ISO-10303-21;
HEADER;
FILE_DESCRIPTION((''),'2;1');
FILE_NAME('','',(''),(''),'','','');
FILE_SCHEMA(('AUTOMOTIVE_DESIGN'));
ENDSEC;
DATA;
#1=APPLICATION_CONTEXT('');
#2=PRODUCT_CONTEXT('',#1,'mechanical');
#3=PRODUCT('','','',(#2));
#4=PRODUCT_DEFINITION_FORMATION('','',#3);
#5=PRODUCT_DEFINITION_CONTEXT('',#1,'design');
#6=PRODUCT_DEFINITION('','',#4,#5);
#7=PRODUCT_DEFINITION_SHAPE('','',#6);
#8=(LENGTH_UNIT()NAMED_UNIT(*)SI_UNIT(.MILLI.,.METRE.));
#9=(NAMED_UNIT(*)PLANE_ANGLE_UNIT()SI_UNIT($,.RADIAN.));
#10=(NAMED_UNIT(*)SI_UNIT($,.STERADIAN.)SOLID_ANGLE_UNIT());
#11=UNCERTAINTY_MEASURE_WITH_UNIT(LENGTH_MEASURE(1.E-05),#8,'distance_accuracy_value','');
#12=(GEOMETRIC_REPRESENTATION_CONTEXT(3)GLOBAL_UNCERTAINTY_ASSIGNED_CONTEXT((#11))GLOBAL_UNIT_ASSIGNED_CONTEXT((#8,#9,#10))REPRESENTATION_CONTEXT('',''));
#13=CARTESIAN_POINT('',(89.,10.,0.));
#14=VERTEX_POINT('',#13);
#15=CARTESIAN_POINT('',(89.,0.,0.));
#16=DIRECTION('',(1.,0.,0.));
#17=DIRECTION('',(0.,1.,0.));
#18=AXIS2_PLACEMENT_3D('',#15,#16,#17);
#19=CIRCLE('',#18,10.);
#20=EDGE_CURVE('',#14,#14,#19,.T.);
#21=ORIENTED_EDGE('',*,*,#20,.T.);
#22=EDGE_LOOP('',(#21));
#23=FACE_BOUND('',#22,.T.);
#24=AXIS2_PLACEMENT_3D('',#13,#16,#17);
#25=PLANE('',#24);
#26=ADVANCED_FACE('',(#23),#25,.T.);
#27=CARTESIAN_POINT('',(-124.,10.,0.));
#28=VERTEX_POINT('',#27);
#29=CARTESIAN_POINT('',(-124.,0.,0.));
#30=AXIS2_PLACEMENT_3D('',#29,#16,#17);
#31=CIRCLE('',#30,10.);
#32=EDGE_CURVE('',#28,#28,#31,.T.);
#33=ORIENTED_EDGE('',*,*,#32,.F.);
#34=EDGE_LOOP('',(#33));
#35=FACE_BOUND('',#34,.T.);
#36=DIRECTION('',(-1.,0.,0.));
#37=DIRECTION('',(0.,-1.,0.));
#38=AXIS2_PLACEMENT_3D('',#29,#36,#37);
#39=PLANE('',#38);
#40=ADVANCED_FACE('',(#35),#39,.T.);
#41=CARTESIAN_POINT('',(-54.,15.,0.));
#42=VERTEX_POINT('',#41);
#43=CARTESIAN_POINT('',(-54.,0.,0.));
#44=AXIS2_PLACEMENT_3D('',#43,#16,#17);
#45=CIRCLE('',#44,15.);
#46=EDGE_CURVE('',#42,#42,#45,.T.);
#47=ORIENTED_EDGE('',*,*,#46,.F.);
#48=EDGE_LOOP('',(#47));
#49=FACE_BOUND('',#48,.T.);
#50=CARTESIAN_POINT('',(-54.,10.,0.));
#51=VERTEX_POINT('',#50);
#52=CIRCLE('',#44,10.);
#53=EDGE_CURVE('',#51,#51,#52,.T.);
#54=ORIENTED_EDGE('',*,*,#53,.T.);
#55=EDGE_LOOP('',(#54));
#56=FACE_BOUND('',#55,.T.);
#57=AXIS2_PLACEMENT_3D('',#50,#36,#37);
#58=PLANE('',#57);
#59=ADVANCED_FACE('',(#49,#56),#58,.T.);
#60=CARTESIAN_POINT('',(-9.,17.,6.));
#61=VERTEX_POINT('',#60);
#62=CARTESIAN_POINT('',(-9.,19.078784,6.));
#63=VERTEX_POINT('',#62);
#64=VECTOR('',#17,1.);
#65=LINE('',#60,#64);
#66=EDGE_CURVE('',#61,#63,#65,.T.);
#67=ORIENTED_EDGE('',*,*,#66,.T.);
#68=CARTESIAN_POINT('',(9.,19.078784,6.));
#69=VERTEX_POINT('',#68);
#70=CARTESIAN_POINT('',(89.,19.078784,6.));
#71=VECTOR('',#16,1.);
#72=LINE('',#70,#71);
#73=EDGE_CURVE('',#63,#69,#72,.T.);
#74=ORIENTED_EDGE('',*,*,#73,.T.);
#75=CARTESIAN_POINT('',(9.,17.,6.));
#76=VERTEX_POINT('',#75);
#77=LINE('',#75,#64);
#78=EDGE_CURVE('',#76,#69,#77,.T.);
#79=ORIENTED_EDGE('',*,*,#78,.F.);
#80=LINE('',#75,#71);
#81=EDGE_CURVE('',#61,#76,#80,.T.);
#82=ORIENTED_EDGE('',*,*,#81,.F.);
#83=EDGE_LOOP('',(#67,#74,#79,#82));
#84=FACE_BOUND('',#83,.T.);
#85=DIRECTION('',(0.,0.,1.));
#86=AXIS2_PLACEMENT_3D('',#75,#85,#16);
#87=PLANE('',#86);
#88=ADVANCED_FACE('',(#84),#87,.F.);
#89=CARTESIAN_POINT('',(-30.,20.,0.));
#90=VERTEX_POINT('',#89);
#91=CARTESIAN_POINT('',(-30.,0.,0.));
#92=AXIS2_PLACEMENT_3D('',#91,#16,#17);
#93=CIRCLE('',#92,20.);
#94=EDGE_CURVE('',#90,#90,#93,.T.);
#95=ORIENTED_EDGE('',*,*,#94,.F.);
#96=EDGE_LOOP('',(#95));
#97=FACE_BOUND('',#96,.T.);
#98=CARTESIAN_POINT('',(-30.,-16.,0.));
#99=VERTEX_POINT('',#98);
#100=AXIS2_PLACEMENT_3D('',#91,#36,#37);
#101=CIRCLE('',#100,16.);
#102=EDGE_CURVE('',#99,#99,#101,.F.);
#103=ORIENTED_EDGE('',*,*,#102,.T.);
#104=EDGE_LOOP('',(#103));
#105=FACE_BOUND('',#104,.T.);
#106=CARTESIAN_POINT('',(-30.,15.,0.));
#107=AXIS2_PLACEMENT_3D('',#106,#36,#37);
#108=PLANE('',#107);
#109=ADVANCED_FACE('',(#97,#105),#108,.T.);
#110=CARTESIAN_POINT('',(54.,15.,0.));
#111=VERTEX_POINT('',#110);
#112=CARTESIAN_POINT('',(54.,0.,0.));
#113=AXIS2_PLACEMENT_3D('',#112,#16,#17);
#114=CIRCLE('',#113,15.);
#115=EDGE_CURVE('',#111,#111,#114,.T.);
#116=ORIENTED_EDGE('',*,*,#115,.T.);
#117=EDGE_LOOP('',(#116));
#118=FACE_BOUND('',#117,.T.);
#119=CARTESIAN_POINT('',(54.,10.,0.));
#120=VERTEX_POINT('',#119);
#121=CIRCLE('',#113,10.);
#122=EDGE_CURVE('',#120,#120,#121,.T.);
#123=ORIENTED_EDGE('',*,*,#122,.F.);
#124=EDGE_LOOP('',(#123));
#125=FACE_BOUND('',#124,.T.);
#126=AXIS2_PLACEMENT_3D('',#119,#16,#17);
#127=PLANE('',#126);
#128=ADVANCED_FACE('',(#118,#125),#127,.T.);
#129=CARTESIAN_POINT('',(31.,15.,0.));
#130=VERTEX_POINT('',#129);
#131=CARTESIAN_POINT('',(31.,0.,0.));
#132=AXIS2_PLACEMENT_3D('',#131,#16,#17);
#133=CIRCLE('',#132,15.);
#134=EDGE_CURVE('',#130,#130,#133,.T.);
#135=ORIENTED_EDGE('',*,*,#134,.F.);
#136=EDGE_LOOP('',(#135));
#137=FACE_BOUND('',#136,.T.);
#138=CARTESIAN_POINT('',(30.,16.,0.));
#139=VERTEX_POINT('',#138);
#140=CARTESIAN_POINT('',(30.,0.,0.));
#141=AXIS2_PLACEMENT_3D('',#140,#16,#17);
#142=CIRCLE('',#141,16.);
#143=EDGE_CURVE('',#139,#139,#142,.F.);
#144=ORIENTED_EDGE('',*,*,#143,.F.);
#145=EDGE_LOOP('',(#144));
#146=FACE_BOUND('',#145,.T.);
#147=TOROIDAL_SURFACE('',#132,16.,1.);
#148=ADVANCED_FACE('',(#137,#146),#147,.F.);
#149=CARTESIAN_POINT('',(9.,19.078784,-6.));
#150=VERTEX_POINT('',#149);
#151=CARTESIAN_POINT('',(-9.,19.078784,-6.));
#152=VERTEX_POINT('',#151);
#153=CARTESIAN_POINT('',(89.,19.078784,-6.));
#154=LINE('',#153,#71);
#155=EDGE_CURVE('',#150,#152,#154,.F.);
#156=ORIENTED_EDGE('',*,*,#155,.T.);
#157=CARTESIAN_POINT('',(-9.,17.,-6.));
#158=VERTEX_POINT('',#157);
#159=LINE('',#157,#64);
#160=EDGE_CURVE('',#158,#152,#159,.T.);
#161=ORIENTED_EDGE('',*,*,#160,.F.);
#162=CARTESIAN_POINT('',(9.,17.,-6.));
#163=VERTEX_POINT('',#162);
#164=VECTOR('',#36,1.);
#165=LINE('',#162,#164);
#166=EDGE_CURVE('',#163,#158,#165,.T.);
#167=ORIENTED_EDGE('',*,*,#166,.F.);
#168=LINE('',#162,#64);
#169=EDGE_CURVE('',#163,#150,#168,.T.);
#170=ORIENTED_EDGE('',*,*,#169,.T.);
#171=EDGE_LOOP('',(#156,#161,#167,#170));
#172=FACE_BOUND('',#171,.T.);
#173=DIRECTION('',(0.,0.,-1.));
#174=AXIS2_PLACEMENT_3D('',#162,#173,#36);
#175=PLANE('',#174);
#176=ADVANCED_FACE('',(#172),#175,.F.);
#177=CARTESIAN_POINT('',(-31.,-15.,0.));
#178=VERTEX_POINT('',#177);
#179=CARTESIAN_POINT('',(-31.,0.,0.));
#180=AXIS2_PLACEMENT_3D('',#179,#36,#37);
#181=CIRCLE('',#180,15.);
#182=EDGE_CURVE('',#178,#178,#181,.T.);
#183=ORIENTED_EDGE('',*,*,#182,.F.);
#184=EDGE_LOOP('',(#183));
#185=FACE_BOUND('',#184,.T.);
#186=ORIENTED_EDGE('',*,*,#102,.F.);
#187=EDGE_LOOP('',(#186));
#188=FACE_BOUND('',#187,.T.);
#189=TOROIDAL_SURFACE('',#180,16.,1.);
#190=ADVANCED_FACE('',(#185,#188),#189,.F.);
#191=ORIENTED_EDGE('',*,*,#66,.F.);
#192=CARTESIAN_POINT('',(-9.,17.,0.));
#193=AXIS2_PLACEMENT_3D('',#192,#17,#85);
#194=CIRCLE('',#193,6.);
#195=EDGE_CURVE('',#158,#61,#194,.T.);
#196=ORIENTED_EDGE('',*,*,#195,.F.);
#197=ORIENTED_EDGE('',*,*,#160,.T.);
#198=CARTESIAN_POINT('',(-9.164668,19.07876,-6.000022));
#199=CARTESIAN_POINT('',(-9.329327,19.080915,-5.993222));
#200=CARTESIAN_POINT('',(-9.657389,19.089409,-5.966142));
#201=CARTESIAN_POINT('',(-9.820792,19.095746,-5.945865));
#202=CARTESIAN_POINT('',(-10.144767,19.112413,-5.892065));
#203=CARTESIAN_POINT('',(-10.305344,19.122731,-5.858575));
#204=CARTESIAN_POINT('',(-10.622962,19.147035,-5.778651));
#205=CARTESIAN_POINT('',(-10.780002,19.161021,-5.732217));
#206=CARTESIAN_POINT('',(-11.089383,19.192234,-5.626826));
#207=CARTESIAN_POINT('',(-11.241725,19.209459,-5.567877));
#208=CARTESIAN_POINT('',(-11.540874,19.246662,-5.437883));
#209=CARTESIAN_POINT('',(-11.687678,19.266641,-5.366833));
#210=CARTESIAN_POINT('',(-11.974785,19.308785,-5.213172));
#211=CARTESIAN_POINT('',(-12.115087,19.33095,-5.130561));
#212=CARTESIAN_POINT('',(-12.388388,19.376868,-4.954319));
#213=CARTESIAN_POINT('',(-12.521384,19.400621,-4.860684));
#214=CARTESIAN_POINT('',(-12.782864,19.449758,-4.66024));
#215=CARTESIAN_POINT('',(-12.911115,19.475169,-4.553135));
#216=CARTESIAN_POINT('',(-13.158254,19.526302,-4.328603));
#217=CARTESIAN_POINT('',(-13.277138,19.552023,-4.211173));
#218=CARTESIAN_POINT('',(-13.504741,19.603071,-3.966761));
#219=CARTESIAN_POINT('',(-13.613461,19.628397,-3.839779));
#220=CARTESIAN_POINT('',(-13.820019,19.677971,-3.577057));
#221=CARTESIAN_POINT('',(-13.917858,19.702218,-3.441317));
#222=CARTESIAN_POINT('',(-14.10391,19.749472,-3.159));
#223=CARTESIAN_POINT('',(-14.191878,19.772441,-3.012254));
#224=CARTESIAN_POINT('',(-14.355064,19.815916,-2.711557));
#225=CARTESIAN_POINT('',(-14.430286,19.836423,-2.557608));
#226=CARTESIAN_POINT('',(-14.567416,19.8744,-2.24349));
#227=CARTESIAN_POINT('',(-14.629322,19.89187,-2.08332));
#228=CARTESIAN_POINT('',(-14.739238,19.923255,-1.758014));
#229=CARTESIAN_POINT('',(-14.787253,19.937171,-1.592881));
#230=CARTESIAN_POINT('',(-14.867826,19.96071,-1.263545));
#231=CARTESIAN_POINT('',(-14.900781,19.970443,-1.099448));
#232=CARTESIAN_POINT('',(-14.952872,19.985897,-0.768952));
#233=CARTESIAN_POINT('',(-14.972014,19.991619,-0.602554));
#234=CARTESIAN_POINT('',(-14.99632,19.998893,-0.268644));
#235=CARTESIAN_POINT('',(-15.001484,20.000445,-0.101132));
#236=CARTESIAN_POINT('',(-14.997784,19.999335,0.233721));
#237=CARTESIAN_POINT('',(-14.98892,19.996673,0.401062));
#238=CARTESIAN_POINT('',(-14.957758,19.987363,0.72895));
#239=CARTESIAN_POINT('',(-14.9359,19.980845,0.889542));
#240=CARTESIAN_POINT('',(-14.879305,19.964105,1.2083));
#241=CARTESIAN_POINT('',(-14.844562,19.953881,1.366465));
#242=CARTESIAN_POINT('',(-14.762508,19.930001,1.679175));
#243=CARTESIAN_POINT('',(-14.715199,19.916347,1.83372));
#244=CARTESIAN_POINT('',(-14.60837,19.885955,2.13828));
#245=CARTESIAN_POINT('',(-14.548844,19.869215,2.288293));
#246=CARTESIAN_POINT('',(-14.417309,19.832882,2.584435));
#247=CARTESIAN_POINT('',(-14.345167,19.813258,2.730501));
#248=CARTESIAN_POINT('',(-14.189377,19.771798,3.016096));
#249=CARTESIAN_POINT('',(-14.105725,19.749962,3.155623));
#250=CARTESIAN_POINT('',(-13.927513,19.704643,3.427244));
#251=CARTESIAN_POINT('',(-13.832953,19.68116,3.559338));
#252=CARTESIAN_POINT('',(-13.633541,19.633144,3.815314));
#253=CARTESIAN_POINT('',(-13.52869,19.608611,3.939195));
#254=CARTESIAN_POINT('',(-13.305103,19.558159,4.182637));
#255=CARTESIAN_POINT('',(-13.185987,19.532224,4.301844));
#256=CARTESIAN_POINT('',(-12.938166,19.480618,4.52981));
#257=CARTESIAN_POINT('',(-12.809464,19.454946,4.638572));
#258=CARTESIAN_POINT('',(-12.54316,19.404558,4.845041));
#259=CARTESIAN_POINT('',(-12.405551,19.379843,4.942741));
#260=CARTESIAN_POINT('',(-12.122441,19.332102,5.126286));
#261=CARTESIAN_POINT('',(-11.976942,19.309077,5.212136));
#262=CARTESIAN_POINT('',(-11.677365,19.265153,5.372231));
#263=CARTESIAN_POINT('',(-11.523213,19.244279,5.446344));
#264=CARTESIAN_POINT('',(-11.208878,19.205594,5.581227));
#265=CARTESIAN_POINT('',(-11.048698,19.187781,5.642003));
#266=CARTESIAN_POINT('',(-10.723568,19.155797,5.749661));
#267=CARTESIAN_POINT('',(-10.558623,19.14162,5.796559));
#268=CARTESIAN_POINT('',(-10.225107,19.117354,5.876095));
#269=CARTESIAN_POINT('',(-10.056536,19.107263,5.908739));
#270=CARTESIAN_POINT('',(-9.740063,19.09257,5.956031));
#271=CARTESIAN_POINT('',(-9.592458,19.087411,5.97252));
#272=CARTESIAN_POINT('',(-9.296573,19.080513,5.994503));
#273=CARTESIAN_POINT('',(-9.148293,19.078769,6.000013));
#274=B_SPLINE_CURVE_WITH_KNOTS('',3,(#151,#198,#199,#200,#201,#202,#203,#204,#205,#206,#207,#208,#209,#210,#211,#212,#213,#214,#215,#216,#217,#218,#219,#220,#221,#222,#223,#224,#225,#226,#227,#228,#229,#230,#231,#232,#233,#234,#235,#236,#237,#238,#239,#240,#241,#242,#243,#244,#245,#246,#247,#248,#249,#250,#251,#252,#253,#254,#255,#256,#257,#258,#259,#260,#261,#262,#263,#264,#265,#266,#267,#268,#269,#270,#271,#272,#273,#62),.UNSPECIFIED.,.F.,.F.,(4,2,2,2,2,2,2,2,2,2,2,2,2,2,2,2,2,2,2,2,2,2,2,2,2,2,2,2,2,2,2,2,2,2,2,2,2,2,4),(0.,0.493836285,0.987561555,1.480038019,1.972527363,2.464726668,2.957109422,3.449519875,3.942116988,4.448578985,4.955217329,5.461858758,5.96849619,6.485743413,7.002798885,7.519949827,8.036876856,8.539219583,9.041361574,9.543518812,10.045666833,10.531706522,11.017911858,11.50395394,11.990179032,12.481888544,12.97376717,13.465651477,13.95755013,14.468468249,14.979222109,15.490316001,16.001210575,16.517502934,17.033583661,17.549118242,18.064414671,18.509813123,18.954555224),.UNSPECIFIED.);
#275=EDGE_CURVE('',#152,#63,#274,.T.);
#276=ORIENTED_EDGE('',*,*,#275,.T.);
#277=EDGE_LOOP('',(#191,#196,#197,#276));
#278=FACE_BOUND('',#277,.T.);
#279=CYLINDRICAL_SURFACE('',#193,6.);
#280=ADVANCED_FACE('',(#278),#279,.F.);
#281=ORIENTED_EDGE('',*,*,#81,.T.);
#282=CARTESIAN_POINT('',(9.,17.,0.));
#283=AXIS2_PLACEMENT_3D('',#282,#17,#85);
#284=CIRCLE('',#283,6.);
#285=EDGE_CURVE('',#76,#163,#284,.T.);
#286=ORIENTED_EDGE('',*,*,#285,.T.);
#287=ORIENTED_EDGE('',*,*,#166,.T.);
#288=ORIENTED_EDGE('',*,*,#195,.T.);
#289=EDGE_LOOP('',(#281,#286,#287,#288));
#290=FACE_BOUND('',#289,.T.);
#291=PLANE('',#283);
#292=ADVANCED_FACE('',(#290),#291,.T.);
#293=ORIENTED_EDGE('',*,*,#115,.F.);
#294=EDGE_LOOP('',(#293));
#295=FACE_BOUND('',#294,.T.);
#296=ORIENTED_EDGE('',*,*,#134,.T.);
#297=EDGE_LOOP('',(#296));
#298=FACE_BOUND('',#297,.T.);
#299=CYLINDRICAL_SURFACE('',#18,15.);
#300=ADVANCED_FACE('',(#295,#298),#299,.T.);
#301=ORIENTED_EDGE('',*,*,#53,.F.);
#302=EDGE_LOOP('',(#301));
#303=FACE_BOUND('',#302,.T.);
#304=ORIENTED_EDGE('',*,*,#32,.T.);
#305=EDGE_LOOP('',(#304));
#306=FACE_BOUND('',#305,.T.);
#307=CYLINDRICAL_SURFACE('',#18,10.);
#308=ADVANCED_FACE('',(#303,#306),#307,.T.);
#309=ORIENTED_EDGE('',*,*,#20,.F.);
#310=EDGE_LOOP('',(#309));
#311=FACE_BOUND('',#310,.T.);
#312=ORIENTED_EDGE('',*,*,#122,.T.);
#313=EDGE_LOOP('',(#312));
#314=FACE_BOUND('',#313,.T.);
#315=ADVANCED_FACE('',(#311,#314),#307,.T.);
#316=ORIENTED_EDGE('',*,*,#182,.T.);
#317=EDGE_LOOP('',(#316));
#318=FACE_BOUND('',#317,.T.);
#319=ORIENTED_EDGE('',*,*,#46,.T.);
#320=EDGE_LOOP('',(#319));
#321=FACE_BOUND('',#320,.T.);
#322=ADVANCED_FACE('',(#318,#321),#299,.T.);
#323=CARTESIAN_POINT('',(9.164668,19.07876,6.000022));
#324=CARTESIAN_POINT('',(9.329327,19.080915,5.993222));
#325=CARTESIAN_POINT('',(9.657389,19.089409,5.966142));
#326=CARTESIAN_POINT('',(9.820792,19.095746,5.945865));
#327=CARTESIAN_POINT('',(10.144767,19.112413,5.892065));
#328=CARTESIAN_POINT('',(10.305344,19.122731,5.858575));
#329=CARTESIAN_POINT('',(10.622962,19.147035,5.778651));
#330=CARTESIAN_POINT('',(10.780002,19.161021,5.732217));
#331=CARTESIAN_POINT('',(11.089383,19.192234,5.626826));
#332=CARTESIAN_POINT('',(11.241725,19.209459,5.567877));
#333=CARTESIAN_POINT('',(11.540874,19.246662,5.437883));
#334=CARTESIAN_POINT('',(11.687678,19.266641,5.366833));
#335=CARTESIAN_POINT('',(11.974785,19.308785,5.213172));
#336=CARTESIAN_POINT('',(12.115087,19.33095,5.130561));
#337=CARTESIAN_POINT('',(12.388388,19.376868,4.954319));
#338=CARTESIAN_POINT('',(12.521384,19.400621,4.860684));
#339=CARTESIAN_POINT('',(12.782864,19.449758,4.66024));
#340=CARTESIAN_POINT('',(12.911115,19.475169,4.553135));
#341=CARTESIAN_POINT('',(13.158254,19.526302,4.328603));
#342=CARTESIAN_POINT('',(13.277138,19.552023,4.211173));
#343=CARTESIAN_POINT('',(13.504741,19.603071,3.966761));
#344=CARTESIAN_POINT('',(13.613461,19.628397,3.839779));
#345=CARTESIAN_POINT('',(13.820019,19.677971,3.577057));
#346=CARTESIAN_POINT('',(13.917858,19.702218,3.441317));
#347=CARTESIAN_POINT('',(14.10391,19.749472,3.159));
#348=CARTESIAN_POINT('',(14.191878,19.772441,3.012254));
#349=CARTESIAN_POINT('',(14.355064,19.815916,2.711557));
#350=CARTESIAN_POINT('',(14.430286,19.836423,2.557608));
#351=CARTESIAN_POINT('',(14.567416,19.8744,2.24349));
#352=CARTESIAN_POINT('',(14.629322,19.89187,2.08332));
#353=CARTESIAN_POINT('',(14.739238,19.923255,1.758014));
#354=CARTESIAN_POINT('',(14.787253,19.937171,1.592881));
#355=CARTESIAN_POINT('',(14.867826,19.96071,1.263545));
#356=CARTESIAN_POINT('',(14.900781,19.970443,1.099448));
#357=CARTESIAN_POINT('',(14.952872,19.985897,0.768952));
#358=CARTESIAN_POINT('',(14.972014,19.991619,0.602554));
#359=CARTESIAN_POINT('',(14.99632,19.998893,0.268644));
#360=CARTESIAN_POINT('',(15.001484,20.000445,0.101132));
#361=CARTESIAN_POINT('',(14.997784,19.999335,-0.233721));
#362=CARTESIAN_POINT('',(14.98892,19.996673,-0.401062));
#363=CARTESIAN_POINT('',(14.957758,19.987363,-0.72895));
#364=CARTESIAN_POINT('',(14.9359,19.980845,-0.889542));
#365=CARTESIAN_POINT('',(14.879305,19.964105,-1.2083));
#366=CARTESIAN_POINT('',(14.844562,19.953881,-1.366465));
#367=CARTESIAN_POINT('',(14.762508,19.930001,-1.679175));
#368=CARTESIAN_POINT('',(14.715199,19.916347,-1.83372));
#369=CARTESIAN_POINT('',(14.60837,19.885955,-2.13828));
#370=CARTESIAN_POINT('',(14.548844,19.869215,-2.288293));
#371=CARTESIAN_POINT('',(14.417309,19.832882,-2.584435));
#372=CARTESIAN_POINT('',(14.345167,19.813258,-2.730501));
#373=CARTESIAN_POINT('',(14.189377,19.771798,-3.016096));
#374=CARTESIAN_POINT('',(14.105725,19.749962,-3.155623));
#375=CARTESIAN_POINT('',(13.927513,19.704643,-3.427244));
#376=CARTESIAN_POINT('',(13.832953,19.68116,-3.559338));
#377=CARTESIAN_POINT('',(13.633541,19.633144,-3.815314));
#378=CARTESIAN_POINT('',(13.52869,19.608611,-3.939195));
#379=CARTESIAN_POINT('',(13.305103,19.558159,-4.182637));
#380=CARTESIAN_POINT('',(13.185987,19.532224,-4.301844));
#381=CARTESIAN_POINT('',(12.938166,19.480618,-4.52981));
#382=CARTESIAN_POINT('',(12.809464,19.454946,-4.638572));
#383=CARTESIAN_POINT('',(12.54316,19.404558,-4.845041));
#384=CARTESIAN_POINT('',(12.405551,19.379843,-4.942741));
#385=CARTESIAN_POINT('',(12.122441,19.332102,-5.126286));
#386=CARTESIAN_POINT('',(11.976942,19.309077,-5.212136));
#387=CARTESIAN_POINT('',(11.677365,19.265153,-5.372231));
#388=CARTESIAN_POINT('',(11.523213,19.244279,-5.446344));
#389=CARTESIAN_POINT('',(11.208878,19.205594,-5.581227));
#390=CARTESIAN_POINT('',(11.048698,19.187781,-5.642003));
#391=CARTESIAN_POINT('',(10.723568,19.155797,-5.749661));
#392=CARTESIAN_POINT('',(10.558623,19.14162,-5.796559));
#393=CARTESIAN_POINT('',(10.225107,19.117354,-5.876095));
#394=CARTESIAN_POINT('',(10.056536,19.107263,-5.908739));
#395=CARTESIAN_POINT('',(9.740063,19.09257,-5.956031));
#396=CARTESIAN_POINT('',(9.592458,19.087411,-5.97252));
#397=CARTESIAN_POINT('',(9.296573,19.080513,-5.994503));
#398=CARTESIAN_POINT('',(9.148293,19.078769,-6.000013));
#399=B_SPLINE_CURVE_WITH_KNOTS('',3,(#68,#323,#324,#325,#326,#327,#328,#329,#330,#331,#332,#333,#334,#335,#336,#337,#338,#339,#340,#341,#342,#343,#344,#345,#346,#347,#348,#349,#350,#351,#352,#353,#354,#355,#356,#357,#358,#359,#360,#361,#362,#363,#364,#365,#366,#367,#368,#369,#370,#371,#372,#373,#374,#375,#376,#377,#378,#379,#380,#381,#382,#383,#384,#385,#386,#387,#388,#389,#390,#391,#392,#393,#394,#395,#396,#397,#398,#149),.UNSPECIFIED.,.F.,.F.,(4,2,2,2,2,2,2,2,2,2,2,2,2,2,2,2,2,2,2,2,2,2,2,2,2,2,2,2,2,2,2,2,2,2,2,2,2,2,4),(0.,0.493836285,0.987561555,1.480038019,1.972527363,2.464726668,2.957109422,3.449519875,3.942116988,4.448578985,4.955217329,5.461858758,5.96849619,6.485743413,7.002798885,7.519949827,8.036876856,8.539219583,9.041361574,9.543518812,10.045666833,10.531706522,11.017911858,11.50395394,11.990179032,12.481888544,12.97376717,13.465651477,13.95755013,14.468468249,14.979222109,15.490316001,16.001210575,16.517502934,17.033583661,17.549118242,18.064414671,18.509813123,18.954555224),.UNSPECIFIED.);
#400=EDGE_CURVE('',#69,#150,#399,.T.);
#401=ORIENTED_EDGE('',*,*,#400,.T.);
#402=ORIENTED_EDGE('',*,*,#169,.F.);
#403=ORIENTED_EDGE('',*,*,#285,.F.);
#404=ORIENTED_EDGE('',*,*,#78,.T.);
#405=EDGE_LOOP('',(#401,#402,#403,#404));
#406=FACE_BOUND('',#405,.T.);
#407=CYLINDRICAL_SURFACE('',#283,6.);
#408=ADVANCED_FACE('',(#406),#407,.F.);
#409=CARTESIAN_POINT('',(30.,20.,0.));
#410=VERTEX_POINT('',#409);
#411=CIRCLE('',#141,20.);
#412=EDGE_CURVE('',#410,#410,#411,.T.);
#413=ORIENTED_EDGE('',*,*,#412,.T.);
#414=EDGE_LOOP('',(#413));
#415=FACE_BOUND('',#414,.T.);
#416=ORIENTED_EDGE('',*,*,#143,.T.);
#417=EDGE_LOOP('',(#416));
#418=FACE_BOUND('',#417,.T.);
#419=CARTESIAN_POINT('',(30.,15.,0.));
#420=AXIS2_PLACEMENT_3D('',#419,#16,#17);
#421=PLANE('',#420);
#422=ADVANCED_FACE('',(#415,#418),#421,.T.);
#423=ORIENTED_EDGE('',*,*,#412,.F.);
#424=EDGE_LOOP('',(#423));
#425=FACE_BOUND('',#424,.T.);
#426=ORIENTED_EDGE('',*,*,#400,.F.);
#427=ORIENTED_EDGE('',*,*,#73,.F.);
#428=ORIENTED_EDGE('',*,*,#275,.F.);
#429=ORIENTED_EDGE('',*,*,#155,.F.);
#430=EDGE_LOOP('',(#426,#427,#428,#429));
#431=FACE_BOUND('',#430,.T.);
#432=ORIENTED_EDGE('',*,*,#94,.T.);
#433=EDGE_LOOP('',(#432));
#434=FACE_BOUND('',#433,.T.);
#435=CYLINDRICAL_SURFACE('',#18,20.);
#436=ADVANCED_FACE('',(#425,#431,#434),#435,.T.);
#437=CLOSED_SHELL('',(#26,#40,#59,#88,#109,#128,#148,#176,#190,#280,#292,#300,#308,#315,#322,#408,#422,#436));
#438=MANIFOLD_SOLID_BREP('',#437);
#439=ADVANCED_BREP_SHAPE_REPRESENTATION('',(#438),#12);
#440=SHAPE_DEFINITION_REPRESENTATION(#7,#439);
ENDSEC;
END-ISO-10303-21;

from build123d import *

# Parameters (mm, degrees)
FILLET1_R          = 1
CUT_EXTRUDE1_DEPTH = 3


with BuildPart() as part:
    # Sketch1 → Revolve2 (revolve)
    with BuildSketch(Plane.XY):
        Polygon((-124, 0), (-124, 10), (-54, 10), (-54, 15), (-30, 15), (-30, 20), (30, 20), (30, 15), (54, 15), (54, 10), (89, 10), (89, 0), align=None)
    revolve(axis=Axis((89, 0, 0), (-1, 0, 0)))

    # Fillet1
    fillet1_edges = [part.edges().sort_by_distance(p)[0] for p in [
        (30, -15, 0),
        (-30, -15, 0),
    ]]
    fillet(fillet1_edges, radius=FILLET1_R)

    # Sketch2 → Cut-Extrude1 (cut)
    with BuildSketch(Plane(origin=(0, 20, 0), x_dir=(1, 0, 0), z_dir=(0, 1, 0))):
        with BuildLine():
            Line((9, -6), (-9, -6))
            ThreePointArc((-9, -6), (-15, 0), (-9, 6))
            Line((-9, 6), (9, 6))
            ThreePointArc((9, 6), (15, 0), (9, -6))
        make_face()
    extrude(amount=-CUT_EXTRUDE1_DEPTH, mode=Mode.SUBTRACT)


solid = part.part
